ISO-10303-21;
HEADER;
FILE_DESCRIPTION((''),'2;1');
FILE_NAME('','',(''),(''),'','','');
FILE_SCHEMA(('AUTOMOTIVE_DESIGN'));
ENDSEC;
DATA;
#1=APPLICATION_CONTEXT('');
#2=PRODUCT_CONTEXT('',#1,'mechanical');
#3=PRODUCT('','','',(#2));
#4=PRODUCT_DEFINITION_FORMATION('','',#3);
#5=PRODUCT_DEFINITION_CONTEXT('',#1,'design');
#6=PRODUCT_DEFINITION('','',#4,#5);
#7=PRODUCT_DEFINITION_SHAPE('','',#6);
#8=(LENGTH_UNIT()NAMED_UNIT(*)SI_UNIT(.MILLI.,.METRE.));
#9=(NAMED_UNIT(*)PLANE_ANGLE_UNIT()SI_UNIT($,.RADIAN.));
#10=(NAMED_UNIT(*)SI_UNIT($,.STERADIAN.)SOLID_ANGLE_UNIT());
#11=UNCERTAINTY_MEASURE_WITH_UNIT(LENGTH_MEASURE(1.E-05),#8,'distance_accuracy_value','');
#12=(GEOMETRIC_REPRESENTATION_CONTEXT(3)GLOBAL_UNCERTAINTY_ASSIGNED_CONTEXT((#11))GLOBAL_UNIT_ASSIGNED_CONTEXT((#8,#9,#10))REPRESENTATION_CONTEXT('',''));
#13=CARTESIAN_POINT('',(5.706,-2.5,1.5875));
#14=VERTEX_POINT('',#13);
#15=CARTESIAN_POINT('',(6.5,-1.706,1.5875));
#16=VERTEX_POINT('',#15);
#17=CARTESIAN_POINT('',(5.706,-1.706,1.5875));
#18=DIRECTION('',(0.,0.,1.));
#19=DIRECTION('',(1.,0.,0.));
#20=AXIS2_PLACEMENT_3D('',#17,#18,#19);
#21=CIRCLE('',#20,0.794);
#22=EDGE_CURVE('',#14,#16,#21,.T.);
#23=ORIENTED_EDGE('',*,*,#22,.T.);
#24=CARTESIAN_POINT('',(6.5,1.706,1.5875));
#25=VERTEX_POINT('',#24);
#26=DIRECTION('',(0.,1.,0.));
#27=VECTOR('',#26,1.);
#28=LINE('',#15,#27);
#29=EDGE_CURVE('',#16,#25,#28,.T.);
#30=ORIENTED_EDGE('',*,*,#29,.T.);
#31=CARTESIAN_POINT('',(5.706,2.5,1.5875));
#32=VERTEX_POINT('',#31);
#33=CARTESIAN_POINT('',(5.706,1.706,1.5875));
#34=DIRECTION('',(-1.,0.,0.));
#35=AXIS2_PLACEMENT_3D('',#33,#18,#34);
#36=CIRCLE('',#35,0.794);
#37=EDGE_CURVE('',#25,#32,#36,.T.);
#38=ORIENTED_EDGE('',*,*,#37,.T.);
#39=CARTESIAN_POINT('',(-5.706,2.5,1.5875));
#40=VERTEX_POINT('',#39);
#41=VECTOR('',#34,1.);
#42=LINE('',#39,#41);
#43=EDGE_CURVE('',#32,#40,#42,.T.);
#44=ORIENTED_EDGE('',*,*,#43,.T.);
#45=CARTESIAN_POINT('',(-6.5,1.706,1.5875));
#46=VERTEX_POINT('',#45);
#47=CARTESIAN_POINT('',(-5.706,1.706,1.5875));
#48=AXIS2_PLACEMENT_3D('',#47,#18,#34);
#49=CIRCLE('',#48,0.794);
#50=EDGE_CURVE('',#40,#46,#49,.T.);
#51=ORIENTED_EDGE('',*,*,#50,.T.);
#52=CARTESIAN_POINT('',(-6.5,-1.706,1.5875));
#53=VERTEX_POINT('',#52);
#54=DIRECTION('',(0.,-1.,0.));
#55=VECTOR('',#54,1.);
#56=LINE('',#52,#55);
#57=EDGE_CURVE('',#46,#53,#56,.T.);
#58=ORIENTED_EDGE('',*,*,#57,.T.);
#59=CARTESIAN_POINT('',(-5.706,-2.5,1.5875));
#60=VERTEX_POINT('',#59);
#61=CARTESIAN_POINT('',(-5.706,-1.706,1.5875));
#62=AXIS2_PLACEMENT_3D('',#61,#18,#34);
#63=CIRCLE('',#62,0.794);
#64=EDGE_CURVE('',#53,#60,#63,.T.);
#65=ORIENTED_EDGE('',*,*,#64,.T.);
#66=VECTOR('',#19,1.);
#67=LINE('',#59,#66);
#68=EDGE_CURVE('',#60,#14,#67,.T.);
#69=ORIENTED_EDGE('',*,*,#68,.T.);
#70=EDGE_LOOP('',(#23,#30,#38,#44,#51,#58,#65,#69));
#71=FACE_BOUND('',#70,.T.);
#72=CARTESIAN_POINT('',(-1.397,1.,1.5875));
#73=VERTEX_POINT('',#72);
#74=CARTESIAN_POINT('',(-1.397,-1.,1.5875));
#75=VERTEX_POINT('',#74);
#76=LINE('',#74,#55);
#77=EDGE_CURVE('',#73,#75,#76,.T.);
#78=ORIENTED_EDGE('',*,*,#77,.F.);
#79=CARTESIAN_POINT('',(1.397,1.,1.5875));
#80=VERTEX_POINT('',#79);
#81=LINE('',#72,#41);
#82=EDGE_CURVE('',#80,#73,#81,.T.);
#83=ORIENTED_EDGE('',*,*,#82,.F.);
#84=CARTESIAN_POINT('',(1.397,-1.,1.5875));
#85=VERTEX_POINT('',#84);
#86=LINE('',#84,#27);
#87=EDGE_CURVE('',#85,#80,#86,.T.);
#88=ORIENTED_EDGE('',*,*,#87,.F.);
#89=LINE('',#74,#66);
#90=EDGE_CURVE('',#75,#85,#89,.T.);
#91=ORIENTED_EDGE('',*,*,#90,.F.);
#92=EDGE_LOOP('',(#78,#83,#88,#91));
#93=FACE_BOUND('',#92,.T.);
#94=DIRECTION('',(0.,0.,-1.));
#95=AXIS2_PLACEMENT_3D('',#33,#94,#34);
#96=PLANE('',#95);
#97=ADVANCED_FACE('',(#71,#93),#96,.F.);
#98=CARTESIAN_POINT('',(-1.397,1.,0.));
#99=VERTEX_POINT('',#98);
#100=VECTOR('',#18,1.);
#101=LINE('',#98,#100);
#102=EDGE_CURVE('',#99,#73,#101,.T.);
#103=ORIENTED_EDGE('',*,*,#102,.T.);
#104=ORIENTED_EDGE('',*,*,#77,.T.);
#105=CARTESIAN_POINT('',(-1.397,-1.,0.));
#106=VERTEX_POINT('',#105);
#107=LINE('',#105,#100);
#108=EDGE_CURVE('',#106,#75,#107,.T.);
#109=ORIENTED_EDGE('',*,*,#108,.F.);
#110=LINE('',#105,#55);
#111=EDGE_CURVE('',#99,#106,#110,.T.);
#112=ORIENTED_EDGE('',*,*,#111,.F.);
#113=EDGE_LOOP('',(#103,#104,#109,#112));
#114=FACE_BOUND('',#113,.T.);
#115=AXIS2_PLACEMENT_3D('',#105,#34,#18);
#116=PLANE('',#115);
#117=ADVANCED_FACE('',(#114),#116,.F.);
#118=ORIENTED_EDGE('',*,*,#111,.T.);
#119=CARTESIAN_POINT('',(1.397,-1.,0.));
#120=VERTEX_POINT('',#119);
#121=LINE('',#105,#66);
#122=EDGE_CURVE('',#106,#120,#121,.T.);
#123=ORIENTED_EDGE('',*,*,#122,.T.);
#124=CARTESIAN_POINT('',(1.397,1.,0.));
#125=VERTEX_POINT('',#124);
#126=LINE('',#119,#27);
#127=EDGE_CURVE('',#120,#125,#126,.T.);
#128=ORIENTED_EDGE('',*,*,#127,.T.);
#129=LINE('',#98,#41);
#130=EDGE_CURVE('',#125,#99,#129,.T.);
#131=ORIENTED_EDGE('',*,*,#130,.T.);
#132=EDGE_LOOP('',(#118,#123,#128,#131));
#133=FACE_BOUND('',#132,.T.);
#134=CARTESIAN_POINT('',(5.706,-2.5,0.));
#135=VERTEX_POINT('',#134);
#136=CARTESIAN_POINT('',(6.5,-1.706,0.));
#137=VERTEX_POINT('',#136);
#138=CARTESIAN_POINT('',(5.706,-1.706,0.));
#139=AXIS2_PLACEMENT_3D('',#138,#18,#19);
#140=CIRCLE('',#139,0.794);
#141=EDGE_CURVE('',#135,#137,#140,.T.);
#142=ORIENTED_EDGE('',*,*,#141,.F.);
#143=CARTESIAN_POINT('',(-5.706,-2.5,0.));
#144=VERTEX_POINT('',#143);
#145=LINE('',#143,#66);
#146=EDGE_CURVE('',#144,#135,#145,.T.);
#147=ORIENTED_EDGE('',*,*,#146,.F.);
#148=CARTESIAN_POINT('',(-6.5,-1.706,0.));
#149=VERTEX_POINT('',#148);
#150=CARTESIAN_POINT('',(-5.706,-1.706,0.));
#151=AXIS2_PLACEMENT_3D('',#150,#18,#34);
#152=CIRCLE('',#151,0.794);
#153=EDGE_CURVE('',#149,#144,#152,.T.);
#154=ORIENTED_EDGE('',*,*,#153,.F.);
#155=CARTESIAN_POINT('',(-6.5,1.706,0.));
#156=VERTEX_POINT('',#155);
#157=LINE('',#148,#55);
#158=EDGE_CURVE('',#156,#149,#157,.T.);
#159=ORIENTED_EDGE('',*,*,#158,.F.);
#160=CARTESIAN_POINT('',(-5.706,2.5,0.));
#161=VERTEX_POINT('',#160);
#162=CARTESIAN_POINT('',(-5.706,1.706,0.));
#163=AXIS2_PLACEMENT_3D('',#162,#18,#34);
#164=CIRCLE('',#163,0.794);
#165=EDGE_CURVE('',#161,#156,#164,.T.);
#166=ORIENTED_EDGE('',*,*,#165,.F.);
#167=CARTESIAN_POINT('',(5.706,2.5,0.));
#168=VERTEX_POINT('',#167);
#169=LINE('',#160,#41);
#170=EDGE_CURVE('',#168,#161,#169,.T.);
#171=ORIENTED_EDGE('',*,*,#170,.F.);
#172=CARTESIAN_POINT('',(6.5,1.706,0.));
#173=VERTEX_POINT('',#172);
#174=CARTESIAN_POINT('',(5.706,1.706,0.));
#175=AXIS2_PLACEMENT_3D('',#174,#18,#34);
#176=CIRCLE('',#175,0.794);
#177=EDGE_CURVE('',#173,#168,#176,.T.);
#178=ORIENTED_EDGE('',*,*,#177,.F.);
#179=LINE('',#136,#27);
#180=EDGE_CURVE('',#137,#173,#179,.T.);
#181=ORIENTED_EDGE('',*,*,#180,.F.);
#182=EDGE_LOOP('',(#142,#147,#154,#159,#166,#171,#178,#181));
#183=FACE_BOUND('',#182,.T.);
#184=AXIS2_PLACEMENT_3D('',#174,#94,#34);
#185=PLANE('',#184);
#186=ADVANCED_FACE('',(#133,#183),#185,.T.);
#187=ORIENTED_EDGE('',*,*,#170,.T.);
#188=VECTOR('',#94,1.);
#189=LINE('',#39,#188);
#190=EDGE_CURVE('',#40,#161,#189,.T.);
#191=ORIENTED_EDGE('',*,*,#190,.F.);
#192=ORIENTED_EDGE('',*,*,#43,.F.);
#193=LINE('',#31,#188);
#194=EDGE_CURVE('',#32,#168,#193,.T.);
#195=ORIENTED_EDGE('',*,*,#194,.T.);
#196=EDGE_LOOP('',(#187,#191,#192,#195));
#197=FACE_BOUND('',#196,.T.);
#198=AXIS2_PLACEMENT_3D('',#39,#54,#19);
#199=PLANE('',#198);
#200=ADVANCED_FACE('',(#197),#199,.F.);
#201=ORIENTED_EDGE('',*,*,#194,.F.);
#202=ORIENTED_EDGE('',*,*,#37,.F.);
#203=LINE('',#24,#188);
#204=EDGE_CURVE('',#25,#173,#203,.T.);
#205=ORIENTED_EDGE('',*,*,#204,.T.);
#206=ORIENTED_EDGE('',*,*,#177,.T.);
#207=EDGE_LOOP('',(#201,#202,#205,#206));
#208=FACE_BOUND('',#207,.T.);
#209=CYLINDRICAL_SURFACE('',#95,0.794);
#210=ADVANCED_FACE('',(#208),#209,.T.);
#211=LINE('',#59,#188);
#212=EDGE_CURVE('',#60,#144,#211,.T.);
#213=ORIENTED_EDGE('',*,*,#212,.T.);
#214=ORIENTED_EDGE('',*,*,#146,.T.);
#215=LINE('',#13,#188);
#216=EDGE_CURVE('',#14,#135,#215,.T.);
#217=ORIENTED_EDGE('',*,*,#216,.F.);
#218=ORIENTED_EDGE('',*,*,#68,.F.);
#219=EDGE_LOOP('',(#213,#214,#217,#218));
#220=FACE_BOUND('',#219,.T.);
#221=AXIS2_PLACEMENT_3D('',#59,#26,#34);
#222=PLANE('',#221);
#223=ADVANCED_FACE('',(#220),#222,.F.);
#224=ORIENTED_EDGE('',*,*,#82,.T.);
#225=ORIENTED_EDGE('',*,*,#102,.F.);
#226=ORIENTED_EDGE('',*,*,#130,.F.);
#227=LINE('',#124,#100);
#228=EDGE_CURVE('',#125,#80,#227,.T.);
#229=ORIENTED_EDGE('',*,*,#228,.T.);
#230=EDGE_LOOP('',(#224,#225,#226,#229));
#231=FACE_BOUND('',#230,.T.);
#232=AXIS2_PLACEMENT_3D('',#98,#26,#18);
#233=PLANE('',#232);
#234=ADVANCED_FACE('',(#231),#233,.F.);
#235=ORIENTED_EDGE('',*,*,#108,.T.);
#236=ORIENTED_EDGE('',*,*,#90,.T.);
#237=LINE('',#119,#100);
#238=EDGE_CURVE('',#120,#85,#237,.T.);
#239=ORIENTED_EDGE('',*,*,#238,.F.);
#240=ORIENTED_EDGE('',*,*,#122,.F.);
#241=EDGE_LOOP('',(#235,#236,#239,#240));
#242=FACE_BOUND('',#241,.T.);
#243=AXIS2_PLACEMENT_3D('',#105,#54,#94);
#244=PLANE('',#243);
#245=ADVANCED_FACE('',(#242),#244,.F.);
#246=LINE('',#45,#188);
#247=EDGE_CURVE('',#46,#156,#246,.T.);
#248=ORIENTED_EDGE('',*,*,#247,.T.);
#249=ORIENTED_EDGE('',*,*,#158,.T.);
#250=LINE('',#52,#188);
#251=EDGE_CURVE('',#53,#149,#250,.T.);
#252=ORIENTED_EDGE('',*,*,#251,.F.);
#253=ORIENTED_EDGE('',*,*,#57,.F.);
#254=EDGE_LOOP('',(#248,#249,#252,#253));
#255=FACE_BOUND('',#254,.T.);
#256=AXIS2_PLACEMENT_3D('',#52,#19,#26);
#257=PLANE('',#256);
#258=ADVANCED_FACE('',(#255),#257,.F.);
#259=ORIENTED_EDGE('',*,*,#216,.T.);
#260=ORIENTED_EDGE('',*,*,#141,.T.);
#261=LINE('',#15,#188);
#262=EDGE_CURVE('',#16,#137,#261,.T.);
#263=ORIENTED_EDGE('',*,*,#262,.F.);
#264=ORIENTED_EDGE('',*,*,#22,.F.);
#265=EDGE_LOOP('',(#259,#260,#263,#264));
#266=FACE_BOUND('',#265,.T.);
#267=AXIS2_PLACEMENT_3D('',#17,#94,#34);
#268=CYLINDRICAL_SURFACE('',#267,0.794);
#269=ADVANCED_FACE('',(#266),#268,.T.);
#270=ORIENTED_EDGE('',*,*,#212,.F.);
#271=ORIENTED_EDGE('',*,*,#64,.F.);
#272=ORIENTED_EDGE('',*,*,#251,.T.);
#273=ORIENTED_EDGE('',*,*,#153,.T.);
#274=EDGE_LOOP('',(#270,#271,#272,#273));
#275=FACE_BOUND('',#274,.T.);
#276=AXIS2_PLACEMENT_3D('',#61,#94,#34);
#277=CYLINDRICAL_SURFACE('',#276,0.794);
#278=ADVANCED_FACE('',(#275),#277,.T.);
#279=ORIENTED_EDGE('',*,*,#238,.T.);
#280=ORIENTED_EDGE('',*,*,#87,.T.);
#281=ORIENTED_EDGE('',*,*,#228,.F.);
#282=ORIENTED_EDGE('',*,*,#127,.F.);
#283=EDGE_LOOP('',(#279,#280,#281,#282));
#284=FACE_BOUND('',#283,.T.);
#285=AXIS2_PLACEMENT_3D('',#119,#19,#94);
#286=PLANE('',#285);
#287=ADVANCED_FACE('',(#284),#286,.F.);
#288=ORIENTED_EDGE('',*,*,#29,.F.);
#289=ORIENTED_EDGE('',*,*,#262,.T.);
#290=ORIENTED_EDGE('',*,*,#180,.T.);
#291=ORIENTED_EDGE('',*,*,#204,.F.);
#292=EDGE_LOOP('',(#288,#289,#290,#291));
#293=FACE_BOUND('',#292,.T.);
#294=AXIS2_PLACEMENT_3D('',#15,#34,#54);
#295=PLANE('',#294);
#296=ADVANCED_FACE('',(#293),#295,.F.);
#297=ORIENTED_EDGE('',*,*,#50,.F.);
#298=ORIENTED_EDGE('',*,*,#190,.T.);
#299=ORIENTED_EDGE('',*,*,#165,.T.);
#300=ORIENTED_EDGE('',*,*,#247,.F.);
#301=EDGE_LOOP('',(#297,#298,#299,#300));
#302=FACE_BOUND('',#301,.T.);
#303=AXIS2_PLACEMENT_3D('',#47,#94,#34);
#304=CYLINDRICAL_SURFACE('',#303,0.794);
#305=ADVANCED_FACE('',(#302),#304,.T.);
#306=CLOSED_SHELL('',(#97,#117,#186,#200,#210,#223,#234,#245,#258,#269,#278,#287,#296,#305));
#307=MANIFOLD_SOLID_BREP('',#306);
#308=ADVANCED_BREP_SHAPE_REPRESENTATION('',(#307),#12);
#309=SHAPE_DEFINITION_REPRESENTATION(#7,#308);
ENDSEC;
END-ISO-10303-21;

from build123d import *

# Parameters (mm, degrees)
BOSS_EXTRUDE1_DEPTH = 1.5875
SKETCH2_W           = 2.794
SKETCH2_H           = 2
CUT_EXTRUDE1_DEPTH  = 8.142839509


with BuildPart() as part:
    # Sketch1 → Boss-Extrude1 (new body)
    with BuildSketch(Plane.XY):
        with BuildLine():
            Line((-5.706, -2.5), (5.706, -2.5))
            ThreePointArc((5.706, -2.5), (6.267442784, -2.267442784), (6.5, -1.706))
            Line((6.5, -1.706), (6.5, 1.706))
            ThreePointArc((6.5, 1.706), (6.267442784, 2.267442784), (5.706, 2.5))
            Line((5.706, 2.5), (-5.706, 2.5))
            ThreePointArc((-5.706, 2.5), (-6.267442784, 2.267442784), (-6.5, 1.706))
            Line((-6.5, 1.706), (-6.5, -1.706))
            ThreePointArc((-6.5, -1.706), (-6.267442784, -2.267442784), (-5.706, -2.5))
        make_face()
    extrude(amount=BOSS_EXTRUDE1_DEPTH)

    # Sketch2 → Cut-Extrude1 (cut, through all)
    with BuildSketch(Plane.XY.offset(1.5875)):
        Rectangle(SKETCH2_W, SKETCH2_H)
    extrude(amount=-CUT_EXTRUDE1_DEPTH, mode=Mode.SUBTRACT)


solid = part.part
